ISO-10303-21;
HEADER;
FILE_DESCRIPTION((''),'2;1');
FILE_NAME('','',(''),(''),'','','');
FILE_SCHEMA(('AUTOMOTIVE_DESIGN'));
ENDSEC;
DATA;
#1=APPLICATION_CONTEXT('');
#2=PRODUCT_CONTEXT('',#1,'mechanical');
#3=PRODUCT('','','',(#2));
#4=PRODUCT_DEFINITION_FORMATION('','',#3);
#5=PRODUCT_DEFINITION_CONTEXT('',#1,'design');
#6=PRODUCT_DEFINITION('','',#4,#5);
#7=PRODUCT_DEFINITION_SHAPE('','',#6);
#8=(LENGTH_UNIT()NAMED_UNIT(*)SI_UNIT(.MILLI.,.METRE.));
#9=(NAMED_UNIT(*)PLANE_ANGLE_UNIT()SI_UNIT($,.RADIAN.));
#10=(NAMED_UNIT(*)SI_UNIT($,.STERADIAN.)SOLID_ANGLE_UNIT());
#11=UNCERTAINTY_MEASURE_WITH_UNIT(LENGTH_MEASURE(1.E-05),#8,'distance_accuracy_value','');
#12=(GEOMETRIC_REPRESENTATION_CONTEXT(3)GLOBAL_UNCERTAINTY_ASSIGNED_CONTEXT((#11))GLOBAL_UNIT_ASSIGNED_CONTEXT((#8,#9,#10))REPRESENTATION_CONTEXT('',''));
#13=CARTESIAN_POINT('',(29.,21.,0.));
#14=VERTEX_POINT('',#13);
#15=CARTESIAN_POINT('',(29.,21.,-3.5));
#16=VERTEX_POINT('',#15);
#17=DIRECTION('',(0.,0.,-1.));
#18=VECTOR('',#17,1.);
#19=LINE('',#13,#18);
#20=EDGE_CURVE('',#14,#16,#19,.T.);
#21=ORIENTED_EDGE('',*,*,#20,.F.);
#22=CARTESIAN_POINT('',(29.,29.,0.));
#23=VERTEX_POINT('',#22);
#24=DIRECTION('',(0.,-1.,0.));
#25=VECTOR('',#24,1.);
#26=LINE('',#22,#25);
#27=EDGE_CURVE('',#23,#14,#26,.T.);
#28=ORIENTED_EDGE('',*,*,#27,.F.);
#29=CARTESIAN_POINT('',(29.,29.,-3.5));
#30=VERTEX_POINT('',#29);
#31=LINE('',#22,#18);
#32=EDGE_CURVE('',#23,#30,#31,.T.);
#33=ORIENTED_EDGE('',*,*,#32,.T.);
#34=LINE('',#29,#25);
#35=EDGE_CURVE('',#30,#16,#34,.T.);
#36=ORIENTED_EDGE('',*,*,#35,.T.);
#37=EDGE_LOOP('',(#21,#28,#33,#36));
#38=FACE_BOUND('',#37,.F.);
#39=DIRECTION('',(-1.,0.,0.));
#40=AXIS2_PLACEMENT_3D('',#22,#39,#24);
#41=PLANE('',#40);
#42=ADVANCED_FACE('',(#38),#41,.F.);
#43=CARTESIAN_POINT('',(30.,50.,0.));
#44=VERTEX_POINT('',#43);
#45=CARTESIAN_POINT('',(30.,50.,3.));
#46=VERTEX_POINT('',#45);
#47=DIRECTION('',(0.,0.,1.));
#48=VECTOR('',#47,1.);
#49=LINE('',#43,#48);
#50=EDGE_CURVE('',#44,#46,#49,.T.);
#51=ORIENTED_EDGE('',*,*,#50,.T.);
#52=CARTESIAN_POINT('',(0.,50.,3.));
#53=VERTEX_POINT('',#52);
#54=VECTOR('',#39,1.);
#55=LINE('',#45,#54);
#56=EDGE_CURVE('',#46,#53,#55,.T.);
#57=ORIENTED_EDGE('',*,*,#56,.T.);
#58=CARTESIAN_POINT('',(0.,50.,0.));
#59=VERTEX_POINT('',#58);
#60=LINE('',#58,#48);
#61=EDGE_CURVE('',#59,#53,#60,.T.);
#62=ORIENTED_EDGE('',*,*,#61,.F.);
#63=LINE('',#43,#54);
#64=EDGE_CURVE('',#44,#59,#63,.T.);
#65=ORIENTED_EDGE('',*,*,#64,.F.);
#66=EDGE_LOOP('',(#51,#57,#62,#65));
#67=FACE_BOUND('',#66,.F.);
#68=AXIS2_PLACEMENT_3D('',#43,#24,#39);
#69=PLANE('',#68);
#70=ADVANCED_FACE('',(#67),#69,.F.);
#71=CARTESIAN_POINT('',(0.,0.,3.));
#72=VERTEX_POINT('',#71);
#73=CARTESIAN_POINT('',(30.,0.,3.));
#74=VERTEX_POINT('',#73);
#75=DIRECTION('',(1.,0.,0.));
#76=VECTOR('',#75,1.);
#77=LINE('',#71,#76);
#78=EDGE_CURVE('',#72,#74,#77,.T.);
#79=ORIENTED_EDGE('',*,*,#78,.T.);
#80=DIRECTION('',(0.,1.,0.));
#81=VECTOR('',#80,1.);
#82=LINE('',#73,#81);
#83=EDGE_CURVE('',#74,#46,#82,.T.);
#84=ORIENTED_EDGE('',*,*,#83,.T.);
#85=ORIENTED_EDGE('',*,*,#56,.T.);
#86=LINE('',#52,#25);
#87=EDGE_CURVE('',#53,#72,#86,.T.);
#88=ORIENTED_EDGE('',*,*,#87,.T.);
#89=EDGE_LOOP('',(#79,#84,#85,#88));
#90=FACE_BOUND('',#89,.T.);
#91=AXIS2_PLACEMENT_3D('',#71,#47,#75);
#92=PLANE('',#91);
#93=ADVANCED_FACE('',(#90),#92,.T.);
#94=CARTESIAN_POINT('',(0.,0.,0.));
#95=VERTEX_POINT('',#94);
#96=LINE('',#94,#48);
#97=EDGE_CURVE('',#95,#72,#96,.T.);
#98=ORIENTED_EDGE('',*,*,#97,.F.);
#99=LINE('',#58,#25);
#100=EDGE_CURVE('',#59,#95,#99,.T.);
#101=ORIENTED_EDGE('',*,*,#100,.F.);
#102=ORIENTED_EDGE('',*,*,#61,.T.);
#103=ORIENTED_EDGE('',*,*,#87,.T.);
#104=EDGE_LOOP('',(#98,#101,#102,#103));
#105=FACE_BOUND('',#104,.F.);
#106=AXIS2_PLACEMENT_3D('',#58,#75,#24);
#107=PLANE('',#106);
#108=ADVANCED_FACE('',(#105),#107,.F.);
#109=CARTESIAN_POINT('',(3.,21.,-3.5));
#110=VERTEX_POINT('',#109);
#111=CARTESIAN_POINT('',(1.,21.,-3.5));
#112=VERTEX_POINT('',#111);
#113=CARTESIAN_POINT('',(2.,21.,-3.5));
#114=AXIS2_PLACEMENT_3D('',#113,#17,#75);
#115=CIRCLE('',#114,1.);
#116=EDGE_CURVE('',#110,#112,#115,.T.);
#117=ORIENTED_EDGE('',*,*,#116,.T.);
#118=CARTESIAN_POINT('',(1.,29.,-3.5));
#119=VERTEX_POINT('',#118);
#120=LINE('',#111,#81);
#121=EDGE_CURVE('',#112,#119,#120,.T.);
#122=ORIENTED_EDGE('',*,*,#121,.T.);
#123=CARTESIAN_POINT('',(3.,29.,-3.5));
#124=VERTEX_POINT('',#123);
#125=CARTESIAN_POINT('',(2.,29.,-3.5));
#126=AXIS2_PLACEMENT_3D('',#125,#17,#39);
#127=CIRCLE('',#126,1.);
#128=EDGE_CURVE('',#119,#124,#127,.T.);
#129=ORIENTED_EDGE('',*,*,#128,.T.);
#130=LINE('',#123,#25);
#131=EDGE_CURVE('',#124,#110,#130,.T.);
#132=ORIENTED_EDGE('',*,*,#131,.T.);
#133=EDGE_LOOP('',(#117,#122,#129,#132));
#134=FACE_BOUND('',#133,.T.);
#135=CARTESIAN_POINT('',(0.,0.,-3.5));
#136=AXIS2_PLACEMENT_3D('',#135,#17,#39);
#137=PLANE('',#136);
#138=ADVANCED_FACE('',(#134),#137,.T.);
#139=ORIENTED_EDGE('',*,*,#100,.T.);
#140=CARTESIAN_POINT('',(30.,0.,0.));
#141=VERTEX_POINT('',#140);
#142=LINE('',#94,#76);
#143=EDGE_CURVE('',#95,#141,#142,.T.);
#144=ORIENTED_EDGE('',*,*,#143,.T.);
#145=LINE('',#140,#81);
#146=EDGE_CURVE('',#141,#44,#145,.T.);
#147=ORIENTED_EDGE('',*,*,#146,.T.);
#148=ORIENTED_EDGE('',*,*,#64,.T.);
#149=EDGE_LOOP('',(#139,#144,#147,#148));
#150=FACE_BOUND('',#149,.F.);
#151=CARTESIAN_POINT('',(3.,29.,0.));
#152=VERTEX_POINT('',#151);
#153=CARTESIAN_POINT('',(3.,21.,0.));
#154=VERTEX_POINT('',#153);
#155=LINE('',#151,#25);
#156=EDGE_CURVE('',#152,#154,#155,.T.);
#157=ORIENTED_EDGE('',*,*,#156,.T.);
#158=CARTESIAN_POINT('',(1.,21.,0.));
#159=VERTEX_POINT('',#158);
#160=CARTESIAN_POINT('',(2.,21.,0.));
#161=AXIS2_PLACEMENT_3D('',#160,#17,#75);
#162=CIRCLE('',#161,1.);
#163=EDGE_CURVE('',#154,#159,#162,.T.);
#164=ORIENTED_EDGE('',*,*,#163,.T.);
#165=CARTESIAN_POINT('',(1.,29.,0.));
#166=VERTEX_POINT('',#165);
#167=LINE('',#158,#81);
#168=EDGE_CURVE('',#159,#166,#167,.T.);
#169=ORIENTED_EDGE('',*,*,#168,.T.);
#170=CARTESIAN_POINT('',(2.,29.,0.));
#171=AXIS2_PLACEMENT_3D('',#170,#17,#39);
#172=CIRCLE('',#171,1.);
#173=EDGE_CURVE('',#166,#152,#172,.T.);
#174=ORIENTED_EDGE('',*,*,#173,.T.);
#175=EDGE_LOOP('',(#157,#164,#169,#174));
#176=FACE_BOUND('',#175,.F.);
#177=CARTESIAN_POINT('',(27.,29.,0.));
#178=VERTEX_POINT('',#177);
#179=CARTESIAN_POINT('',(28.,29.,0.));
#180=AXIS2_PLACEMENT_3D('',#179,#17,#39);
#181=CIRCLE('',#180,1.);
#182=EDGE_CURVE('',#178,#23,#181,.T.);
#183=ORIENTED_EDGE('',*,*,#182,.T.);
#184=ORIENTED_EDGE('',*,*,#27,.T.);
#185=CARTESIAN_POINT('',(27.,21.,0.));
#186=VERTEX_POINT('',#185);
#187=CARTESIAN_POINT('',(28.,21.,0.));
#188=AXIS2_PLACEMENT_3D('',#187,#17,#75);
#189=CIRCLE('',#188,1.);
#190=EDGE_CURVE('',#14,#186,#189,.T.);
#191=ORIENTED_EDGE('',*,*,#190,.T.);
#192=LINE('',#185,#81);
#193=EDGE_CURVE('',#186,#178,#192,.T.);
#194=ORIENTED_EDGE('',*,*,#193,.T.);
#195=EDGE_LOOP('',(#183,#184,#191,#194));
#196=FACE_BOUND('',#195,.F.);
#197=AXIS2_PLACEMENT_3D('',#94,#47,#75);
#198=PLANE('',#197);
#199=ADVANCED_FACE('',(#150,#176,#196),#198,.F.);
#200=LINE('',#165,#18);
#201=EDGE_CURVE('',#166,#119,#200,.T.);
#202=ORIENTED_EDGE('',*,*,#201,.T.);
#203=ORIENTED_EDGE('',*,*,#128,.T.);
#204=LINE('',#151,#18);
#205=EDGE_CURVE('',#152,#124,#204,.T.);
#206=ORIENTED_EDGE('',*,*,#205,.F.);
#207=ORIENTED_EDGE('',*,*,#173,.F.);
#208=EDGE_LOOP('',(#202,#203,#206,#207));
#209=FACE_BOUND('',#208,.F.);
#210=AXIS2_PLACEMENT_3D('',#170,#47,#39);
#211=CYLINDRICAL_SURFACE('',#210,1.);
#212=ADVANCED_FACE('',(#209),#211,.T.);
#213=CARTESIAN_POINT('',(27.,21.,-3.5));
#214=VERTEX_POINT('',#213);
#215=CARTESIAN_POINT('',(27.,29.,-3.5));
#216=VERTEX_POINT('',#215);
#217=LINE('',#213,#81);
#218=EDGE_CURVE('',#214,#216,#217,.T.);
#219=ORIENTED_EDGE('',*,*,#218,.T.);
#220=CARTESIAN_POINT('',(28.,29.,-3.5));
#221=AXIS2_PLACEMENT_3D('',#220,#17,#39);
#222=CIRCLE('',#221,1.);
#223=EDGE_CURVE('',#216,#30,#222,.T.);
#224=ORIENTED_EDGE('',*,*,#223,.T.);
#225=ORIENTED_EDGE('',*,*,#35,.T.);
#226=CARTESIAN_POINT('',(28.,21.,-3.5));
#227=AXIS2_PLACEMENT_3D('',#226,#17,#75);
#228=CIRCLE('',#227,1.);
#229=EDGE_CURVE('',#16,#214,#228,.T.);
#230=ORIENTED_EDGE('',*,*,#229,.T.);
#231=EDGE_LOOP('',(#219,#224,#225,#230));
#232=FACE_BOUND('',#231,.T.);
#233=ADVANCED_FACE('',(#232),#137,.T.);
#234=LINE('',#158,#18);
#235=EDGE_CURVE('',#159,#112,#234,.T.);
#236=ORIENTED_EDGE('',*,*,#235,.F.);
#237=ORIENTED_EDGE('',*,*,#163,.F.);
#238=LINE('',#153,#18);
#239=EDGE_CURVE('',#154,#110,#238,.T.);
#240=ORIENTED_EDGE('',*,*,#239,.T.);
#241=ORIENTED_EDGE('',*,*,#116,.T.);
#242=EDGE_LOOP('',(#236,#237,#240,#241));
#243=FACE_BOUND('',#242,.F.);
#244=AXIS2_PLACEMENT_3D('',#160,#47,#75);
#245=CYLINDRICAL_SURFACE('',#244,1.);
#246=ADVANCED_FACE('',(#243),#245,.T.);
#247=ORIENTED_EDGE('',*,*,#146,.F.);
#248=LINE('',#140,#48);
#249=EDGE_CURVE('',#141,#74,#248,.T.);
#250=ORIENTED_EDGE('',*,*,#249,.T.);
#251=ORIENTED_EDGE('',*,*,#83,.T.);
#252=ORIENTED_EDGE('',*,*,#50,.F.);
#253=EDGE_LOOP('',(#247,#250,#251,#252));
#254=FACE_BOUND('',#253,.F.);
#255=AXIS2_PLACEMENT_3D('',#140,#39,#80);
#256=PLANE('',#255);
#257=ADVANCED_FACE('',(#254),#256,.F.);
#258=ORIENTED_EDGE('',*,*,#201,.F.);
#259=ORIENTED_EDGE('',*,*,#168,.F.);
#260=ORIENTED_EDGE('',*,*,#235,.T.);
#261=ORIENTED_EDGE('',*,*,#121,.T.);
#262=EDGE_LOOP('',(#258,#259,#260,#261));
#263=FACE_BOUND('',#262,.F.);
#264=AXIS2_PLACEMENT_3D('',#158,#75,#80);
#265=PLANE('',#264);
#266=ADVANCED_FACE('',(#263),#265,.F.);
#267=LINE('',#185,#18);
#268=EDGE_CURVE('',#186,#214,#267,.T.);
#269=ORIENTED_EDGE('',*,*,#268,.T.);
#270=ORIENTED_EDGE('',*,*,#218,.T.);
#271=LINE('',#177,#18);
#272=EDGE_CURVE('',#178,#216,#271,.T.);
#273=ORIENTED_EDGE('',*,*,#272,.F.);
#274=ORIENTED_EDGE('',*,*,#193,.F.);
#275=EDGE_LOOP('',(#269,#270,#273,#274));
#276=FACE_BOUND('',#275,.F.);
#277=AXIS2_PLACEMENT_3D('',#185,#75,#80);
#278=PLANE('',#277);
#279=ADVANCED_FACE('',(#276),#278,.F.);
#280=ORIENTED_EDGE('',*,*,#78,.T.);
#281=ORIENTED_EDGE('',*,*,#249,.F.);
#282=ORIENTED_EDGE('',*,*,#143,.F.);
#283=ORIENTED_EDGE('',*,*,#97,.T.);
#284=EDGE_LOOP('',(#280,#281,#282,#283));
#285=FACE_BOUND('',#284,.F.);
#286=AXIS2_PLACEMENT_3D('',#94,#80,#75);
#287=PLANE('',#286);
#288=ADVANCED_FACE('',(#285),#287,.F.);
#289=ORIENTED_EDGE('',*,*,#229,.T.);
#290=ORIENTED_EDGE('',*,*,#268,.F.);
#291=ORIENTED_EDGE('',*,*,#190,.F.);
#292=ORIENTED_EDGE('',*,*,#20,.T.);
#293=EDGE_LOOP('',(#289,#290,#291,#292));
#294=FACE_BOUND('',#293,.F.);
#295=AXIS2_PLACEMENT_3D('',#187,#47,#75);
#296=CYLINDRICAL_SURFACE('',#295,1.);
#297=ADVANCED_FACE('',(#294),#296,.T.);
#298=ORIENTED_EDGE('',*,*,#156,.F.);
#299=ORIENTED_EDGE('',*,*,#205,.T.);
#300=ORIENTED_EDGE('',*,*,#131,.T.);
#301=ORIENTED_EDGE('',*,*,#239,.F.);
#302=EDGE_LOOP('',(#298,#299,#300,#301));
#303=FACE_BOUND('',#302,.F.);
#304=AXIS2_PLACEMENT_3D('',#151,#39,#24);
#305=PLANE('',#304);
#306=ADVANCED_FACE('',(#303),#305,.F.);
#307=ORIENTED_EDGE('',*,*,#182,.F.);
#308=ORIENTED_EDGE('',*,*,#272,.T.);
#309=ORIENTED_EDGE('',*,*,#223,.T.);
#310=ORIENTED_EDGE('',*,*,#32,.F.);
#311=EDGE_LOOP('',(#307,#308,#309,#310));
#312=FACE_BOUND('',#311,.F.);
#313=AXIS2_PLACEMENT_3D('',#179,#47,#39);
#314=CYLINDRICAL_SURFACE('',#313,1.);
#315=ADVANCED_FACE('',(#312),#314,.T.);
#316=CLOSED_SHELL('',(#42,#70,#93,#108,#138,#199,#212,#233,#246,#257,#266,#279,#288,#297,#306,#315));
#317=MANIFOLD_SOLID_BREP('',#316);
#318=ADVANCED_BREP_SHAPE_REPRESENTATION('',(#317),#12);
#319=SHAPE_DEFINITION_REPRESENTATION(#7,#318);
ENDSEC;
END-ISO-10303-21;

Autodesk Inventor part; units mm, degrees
ref_plane "YZ Plane" through (0, 0, 0) normal (1, 0, 0) x (0, 1, 0)
ref_plane "XZ Plane" through (0, 0, 0) normal (0, 1, 0) x (-1, 0, 0)
sketch "Sketch1" plane through (0, 0, 0) normal (0, 0, 1) x (1, 0, 0)
  line L0 (0, 0) -> (30, 0)
  line L1 (30, 0) -> (30, 50)
  line L2 (30, 50) -> (0, 50)
  line L3 (0, 50) -> (0, 0)
  dimension "d0" = 30
  dimension "d1" = 50
extrude "Extrusion1" add sketch "Sketch1" along normal blind 3
ref_plane "Work Plane1" through (15, 0, 0) normal (1, 0, 0) x (0, 0, -1)
sketch "Sketch4" plane through (0, 0, 0) normal (0, 0, -1) x (-1, 0, 0)
  line L0 (-28, 30) -> (-28, 20) construction
  line L1 (-29, 29) -> (-29, 21)
  line L2 (-27, 21) -> (-27, 29)
  arc A0 (-27, 29) -> (-29, 29) centre (-28, 29) ccw
  arc A1 (-29, 21) -> (-27, 21) centre (-28, 21) ccw
  line L3 (-2, 30) -> (-2, 20) construction
  line L4 (-3, 29) -> (-3, 21)
  line L5 (-1, 21) -> (-1, 29)
  arc A2 (-1, 29) -> (-3, 29) centre (-2, 29) ccw
  arc A3 (-3, 21) -> (-1, 21) centre (-2, 21) ccw
  line L6 (-30, 0) -> (-30, 50) projected
  point P0 (0, 0)
  point P1 (-28, 25)
  point P2 (-2, 25)
  dimension "d19" = 25
  dimension "d20" = 1
  dimension "d21" = 1
  dimension "d22" = 10
  dimension "d23" = 10
  dimension "d25" = 1
  dimension "d29" = 1
extrude "Extrusion4" add sketch "Sketch4" along normal blind 3.5
properties part number "motor box"
